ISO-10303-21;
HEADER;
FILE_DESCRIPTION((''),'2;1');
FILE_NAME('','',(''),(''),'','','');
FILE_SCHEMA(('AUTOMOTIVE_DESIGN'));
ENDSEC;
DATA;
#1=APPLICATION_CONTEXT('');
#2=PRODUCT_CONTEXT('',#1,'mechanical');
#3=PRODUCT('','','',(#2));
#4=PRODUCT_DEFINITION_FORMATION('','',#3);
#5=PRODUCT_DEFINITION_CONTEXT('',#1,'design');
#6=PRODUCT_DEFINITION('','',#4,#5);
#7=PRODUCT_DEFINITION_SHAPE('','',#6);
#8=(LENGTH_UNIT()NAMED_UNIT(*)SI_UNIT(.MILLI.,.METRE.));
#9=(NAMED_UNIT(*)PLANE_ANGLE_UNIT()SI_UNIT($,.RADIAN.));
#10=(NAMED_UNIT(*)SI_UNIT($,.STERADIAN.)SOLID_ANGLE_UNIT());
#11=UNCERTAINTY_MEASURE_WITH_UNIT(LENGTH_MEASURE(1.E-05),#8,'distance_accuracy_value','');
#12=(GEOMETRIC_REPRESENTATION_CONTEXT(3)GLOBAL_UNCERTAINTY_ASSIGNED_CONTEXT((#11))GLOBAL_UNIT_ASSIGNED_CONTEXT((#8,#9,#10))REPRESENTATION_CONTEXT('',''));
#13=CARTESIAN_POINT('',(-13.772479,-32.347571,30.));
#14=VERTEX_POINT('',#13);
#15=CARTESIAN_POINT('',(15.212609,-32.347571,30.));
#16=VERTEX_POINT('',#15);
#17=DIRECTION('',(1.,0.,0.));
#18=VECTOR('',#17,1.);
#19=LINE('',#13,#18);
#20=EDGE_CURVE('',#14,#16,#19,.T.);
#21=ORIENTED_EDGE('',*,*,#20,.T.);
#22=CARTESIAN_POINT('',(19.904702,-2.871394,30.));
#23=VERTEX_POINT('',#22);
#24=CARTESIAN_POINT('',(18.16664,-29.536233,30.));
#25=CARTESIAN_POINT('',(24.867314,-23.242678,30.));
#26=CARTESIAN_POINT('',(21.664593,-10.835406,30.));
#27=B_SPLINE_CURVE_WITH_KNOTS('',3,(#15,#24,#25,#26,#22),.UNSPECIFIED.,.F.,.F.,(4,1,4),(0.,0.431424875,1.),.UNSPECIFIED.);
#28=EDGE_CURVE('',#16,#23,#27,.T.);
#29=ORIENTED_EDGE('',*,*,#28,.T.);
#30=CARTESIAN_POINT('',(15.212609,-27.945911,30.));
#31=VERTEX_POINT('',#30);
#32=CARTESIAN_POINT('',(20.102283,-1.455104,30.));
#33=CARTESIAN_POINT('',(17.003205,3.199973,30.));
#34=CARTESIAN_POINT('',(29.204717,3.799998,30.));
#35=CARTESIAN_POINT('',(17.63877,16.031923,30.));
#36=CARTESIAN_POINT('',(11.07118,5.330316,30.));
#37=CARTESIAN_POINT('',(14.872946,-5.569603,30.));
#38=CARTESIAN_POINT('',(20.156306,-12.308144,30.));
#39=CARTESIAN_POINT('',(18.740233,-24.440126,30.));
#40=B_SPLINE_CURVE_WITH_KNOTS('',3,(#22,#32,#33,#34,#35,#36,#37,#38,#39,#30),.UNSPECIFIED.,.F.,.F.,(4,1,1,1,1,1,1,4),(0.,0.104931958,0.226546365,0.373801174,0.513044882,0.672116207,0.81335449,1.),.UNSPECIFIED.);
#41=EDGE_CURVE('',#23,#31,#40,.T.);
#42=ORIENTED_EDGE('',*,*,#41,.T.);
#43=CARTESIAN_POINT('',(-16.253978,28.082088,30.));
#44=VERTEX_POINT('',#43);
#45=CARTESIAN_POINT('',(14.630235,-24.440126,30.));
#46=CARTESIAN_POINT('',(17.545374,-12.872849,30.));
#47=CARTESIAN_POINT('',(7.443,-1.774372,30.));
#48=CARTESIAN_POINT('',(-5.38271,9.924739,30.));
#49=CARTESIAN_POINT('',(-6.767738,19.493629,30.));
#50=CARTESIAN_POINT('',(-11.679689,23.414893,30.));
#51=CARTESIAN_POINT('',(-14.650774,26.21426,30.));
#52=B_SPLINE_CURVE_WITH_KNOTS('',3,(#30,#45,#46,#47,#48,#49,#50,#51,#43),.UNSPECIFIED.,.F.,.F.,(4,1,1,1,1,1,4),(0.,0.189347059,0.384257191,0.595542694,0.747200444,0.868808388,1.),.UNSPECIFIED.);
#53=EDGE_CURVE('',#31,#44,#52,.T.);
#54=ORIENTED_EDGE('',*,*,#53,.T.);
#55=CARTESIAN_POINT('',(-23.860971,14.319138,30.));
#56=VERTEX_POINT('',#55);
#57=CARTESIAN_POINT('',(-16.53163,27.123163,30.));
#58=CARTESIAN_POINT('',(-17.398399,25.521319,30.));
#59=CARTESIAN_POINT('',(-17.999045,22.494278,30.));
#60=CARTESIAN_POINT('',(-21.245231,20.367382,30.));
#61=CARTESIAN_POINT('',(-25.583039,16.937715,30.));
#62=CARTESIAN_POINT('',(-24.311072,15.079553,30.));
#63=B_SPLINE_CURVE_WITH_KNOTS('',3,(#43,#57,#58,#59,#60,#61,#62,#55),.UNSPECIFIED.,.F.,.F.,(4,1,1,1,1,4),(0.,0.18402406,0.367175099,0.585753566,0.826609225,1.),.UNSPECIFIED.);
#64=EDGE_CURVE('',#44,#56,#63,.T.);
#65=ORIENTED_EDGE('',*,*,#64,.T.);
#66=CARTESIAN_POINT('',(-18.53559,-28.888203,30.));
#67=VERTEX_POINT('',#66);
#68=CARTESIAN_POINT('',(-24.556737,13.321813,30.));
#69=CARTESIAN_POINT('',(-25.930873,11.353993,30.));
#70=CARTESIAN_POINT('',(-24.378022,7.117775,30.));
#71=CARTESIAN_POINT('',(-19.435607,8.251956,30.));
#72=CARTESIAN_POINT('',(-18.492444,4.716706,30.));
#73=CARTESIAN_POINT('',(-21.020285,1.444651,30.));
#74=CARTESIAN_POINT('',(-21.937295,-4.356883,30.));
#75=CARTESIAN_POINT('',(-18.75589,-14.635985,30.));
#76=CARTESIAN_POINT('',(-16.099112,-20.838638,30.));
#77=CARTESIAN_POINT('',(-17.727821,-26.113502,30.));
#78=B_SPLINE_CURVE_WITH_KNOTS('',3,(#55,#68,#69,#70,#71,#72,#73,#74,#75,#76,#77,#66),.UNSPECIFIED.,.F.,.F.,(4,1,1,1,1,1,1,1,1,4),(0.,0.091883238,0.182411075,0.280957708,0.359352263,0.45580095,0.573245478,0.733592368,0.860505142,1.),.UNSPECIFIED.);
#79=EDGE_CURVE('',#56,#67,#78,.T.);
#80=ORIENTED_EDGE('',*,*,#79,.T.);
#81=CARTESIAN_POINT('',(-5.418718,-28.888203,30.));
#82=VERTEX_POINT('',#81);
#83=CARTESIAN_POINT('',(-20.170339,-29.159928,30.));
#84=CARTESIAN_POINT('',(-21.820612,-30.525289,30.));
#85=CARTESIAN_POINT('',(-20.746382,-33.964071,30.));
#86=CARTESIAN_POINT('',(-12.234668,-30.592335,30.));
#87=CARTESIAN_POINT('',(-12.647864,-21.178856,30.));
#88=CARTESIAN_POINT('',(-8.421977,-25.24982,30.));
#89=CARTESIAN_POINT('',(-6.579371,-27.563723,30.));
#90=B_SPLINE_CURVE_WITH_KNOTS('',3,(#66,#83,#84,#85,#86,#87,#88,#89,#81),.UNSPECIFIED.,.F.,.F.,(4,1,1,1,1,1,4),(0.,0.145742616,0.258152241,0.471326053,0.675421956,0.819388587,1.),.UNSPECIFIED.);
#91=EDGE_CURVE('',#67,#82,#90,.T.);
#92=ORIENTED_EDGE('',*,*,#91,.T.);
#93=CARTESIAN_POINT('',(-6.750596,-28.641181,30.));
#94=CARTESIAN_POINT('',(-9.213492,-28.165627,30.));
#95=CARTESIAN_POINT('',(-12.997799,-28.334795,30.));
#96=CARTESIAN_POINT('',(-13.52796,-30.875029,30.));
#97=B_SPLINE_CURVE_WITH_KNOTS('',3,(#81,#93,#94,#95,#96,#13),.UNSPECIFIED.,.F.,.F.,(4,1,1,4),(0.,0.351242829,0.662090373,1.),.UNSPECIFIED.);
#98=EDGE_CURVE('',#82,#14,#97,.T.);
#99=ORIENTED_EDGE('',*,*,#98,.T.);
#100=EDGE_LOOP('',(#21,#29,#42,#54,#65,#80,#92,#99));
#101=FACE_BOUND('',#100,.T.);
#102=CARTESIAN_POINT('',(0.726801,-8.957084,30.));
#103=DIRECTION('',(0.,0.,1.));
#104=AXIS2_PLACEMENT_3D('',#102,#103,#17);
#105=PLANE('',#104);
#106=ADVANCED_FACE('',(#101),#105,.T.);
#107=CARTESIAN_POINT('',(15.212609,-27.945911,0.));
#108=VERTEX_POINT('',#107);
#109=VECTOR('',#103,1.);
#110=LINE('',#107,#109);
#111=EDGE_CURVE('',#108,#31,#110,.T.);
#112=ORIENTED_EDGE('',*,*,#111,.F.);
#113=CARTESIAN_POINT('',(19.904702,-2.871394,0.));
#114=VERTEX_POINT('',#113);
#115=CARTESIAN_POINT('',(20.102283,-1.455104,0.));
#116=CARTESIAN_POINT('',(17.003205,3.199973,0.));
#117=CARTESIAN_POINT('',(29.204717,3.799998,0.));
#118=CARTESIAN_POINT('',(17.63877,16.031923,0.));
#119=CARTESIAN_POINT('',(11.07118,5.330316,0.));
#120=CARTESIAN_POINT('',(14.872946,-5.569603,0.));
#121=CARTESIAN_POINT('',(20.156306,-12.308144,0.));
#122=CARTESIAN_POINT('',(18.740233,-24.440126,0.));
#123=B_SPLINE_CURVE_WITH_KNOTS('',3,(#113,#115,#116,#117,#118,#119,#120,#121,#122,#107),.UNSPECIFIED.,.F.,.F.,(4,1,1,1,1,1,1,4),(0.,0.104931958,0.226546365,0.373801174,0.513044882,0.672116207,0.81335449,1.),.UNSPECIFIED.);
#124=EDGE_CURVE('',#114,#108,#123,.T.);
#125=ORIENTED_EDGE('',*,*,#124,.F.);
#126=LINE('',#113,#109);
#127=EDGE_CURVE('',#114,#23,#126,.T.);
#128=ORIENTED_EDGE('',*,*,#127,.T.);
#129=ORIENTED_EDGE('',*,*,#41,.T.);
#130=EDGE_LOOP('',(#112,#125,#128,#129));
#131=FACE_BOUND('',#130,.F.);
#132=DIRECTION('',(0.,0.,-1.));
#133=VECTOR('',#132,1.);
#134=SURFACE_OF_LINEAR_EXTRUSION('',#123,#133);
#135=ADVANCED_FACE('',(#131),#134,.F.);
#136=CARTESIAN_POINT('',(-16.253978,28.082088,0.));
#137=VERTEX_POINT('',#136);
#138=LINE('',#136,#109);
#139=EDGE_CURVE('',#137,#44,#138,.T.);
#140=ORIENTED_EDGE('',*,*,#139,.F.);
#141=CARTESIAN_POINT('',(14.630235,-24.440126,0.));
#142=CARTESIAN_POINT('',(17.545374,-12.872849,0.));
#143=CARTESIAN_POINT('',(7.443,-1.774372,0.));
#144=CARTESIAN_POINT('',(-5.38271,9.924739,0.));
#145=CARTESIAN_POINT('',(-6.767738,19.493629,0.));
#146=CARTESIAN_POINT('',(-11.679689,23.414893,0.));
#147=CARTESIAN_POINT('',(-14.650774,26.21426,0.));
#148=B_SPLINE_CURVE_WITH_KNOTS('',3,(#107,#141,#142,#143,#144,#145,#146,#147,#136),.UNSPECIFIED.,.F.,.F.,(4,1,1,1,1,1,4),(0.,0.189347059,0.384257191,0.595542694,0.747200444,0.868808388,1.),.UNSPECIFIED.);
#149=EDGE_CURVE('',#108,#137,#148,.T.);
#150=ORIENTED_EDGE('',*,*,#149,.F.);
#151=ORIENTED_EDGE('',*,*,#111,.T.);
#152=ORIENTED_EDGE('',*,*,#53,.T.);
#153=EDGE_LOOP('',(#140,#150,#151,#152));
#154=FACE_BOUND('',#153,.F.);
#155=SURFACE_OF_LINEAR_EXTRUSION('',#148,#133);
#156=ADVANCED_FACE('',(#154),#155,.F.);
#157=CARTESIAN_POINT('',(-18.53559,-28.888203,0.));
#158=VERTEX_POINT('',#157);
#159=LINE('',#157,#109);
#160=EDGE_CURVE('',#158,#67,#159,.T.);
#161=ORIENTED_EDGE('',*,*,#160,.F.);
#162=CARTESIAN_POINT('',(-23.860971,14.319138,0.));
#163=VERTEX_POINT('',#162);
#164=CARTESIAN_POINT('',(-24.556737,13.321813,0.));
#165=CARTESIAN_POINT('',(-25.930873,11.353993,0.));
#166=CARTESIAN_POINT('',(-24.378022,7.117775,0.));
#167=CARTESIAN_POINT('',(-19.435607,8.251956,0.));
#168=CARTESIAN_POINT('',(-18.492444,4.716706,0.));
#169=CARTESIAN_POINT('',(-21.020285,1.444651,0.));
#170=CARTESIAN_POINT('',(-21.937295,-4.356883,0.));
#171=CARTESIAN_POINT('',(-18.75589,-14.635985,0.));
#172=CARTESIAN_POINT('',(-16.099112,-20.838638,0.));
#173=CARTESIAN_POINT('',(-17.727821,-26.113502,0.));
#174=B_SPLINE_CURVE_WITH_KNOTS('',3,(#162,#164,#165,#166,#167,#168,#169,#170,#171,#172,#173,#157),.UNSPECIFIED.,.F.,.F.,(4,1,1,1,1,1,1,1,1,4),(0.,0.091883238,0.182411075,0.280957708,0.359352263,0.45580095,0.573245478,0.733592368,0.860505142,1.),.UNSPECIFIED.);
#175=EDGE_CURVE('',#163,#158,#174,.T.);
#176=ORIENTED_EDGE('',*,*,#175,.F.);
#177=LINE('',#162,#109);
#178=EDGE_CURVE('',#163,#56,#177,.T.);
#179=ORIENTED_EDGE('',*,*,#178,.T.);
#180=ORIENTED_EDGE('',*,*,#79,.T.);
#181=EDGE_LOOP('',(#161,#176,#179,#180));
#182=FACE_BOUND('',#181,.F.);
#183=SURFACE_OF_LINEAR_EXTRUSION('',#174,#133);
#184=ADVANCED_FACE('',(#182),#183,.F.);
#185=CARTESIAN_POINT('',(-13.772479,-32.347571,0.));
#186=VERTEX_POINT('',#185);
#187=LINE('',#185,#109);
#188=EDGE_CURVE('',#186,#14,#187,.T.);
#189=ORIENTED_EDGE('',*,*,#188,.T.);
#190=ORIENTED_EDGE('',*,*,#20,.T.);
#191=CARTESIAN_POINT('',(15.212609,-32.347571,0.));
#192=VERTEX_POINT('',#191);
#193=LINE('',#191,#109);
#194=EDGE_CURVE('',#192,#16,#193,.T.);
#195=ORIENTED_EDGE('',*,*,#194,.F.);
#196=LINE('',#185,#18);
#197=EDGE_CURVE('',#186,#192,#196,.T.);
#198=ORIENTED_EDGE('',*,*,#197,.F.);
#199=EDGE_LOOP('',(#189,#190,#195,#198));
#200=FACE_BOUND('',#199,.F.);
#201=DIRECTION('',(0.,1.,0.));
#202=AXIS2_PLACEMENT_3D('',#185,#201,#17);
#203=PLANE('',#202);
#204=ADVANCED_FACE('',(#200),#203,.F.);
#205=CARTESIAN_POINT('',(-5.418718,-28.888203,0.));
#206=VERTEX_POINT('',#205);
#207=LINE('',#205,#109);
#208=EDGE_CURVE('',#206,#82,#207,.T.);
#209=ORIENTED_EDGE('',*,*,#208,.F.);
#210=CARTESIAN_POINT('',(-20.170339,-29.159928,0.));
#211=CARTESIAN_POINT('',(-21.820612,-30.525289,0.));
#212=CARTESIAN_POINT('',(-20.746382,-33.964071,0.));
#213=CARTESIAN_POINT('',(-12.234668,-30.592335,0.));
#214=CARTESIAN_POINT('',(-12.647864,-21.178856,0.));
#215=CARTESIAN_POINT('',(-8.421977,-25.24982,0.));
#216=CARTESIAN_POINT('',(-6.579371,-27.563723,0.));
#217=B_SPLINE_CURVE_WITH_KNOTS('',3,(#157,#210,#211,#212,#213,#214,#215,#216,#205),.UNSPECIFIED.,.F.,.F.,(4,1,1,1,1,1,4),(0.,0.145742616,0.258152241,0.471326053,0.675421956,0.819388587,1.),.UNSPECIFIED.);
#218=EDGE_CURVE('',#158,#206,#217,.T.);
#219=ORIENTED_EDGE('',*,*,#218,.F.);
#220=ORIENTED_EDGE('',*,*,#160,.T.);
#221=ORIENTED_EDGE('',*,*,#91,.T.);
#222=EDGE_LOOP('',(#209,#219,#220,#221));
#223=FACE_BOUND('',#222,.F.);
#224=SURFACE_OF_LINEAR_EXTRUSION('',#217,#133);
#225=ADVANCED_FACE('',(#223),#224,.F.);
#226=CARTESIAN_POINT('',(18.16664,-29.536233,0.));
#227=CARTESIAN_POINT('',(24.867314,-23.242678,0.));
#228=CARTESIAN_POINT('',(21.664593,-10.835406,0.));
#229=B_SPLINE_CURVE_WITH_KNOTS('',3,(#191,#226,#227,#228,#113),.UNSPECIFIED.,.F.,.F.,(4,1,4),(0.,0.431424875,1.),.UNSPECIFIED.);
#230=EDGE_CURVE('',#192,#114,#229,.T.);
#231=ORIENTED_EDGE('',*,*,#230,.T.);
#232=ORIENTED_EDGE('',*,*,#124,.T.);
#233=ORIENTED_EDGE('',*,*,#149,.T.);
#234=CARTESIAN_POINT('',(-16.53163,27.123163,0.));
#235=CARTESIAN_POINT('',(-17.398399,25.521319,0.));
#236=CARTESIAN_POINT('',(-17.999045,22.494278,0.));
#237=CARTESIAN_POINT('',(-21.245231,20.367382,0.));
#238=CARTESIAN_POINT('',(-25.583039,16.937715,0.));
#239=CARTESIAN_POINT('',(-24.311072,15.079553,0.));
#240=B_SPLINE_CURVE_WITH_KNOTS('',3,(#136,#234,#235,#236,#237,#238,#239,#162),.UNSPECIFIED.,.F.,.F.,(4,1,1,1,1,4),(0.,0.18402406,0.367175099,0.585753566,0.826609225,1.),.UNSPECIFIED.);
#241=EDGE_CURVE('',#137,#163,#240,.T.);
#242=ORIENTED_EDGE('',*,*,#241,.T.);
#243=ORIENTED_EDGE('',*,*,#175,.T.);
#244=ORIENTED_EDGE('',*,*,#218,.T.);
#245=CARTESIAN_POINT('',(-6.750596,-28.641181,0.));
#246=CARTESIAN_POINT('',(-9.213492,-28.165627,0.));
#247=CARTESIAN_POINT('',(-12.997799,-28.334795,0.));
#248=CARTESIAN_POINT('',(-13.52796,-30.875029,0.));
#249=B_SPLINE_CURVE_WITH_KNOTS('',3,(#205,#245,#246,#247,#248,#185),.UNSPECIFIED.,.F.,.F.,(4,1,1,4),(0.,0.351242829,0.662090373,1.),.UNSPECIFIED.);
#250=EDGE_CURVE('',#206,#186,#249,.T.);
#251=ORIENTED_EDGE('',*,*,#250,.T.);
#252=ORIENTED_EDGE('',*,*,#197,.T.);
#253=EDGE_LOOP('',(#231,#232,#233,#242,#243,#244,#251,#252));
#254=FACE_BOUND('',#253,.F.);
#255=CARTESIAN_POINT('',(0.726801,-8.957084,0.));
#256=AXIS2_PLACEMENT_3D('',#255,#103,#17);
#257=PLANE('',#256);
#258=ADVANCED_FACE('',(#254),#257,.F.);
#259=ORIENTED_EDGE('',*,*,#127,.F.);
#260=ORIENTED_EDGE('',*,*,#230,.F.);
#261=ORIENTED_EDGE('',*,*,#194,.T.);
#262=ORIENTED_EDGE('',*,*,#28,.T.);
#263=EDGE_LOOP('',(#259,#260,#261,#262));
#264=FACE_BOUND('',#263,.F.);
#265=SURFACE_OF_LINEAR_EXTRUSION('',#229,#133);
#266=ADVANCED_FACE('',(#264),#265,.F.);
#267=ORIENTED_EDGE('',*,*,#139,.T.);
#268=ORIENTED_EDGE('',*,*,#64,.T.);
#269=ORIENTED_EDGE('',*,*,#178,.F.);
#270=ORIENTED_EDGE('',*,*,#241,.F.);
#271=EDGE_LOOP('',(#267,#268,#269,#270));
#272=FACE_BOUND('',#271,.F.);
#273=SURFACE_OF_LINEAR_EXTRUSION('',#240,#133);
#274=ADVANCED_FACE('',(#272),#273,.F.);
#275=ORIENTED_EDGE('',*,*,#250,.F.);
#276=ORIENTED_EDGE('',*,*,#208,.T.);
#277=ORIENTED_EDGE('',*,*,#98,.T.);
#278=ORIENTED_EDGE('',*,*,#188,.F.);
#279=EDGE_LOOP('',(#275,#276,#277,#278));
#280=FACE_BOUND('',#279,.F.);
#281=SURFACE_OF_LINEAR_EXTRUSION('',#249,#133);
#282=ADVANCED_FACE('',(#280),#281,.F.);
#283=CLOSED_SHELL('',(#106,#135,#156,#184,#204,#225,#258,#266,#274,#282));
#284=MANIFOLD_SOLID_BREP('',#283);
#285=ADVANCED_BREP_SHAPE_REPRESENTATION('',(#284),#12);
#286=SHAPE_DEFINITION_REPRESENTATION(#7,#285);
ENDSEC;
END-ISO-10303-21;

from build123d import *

# Parameters (mm, degrees)
F1_DEPTH = 30


with BuildPart() as f1:
    # F0 (on Top) → F1 (new body)
    with BuildSketch(Plane.XY):
        with BuildLine():
            add(Edge.make_bspline(
                [(15.2126090439, -27.9459109831), (14.6302346405, -24.4401263519), (17.5453744334, -12.8728492288), (7.4430002864, -1.7743724806), (-5.3827097072, 9.924738725), (-6.7677384858, 19.493628583), (-11.6796890809, 23.4148932455), (-14.6507735768, 26.2142597574), (-16.253978014, 28.082087636)],
                knots=[0, 0, 0, 0, 0.1893470589, 0.3842571905, 0.5955426944, 0.7472004443, 0.8688083877, 1, 1, 1, 1], degree=3))
            add(Edge.make_bspline(
                [(-16.253978014, 28.082087636), (-16.5316297202, 27.1231630234), (-17.3983989165, 25.521319182), (-17.9990447778, 22.4942783295), (-21.2452314766, 20.3673819069), (-25.583039455, 16.937715348), (-24.3110716683, 15.079552676), (-23.860970512, 14.3191376701)],
                knots=[0, 0, 0, 0, 0.1840240602, 0.367175099, 0.585753566, 0.8266092252, 1, 1, 1, 1], degree=3))
            add(Edge.make_bspline(
                [(-23.860970512, 14.3191376701), (-24.5567367381, 13.3218128893), (-25.9308728954, 11.353993167), (-24.3780221029, 7.1177745688), (-19.4356074733, 8.2519563991), (-18.4924440997, 4.7167056863), (-21.0202846999, 1.4446507411), (-21.9372948904, -4.3568825102), (-18.7558896461, -14.6359845676), (-16.0991116385, -20.8386377456), (-17.7278209811, -26.1135015904), (-18.5355897993, -28.8882032037)],
                knots=[0, 0, 0, 0, 0.0918832375, 0.1824110747, 0.2809577077, 0.3593522625, 0.4558009497, 0.5732454783, 0.7335923675, 0.8605051416, 1, 1, 1, 1], degree=3))
            add(Edge.make_bspline(
                [(-18.5355897993, -28.8882032037), (-20.1703394641, -29.1599279246), (-21.8206121525, -30.5252894751), (-20.7463817834, -33.9640711365), (-12.2346682093, -30.59233512), (-12.6478642348, -21.1788555483), (-8.4219767597, -25.2498196081), (-6.5793712658, -27.5637234568), (-5.4187178612, -28.8882032037)],
                knots=[0, 0, 0, 0, 0.1457426163, 0.2581522415, 0.4713260528, 0.6754219557, 0.819388587, 1, 1, 1, 1], degree=3))
            add(Edge.make_bspline(
                [(-5.4187178612, -28.8882032037), (-6.7505964344, -28.6411812498), (-9.2134922758, -28.1656267058), (-12.9977989942, -28.3347949782), (-13.5279602045, -30.8750292743), (-13.7724792585, -32.3475711048)],
                knots=[0, 0, 0, 0, 0.3512428288, 0.6620903732, 1, 1, 1, 1], degree=3))
            Line((-13.7724792585, -32.3475711048), (15.2126090439, -32.3475711048))
            add(Edge.make_bspline(
                [(15.2126090439, -32.3475711048), (18.1666397433, -29.5362332997), (24.8673138974, -23.2426780381), (21.6645931943, -10.8354061702), (19.9047015818, -2.8713940899)],
                knots=[0, 0, 0, 0, 0.4314248753, 1, 1, 1, 1], degree=3))
            add(Edge.make_bspline(
                [(19.9047015818, -2.8713940899), (20.1022831989, -1.4551037554), (17.0032045605, 3.1999730856), (29.2047171027, 3.799997813), (17.6387698464, 16.0319230536), (11.0711797047, 5.3303157909), (14.8729461275, -5.5696034115), (20.1563061147, -12.3081436364), (18.7402328502, -24.4401263519), (15.2126090439, -27.9459109831)],
                knots=[0, 0, 0, 0, 0.1049319581, 0.2265463651, 0.3738011742, 0.5130448824, 0.6721162067, 0.8133544897, 1, 1, 1, 1], degree=3))
        make_face()
    extrude(amount=F1_DEPTH)


solid = f1.part
